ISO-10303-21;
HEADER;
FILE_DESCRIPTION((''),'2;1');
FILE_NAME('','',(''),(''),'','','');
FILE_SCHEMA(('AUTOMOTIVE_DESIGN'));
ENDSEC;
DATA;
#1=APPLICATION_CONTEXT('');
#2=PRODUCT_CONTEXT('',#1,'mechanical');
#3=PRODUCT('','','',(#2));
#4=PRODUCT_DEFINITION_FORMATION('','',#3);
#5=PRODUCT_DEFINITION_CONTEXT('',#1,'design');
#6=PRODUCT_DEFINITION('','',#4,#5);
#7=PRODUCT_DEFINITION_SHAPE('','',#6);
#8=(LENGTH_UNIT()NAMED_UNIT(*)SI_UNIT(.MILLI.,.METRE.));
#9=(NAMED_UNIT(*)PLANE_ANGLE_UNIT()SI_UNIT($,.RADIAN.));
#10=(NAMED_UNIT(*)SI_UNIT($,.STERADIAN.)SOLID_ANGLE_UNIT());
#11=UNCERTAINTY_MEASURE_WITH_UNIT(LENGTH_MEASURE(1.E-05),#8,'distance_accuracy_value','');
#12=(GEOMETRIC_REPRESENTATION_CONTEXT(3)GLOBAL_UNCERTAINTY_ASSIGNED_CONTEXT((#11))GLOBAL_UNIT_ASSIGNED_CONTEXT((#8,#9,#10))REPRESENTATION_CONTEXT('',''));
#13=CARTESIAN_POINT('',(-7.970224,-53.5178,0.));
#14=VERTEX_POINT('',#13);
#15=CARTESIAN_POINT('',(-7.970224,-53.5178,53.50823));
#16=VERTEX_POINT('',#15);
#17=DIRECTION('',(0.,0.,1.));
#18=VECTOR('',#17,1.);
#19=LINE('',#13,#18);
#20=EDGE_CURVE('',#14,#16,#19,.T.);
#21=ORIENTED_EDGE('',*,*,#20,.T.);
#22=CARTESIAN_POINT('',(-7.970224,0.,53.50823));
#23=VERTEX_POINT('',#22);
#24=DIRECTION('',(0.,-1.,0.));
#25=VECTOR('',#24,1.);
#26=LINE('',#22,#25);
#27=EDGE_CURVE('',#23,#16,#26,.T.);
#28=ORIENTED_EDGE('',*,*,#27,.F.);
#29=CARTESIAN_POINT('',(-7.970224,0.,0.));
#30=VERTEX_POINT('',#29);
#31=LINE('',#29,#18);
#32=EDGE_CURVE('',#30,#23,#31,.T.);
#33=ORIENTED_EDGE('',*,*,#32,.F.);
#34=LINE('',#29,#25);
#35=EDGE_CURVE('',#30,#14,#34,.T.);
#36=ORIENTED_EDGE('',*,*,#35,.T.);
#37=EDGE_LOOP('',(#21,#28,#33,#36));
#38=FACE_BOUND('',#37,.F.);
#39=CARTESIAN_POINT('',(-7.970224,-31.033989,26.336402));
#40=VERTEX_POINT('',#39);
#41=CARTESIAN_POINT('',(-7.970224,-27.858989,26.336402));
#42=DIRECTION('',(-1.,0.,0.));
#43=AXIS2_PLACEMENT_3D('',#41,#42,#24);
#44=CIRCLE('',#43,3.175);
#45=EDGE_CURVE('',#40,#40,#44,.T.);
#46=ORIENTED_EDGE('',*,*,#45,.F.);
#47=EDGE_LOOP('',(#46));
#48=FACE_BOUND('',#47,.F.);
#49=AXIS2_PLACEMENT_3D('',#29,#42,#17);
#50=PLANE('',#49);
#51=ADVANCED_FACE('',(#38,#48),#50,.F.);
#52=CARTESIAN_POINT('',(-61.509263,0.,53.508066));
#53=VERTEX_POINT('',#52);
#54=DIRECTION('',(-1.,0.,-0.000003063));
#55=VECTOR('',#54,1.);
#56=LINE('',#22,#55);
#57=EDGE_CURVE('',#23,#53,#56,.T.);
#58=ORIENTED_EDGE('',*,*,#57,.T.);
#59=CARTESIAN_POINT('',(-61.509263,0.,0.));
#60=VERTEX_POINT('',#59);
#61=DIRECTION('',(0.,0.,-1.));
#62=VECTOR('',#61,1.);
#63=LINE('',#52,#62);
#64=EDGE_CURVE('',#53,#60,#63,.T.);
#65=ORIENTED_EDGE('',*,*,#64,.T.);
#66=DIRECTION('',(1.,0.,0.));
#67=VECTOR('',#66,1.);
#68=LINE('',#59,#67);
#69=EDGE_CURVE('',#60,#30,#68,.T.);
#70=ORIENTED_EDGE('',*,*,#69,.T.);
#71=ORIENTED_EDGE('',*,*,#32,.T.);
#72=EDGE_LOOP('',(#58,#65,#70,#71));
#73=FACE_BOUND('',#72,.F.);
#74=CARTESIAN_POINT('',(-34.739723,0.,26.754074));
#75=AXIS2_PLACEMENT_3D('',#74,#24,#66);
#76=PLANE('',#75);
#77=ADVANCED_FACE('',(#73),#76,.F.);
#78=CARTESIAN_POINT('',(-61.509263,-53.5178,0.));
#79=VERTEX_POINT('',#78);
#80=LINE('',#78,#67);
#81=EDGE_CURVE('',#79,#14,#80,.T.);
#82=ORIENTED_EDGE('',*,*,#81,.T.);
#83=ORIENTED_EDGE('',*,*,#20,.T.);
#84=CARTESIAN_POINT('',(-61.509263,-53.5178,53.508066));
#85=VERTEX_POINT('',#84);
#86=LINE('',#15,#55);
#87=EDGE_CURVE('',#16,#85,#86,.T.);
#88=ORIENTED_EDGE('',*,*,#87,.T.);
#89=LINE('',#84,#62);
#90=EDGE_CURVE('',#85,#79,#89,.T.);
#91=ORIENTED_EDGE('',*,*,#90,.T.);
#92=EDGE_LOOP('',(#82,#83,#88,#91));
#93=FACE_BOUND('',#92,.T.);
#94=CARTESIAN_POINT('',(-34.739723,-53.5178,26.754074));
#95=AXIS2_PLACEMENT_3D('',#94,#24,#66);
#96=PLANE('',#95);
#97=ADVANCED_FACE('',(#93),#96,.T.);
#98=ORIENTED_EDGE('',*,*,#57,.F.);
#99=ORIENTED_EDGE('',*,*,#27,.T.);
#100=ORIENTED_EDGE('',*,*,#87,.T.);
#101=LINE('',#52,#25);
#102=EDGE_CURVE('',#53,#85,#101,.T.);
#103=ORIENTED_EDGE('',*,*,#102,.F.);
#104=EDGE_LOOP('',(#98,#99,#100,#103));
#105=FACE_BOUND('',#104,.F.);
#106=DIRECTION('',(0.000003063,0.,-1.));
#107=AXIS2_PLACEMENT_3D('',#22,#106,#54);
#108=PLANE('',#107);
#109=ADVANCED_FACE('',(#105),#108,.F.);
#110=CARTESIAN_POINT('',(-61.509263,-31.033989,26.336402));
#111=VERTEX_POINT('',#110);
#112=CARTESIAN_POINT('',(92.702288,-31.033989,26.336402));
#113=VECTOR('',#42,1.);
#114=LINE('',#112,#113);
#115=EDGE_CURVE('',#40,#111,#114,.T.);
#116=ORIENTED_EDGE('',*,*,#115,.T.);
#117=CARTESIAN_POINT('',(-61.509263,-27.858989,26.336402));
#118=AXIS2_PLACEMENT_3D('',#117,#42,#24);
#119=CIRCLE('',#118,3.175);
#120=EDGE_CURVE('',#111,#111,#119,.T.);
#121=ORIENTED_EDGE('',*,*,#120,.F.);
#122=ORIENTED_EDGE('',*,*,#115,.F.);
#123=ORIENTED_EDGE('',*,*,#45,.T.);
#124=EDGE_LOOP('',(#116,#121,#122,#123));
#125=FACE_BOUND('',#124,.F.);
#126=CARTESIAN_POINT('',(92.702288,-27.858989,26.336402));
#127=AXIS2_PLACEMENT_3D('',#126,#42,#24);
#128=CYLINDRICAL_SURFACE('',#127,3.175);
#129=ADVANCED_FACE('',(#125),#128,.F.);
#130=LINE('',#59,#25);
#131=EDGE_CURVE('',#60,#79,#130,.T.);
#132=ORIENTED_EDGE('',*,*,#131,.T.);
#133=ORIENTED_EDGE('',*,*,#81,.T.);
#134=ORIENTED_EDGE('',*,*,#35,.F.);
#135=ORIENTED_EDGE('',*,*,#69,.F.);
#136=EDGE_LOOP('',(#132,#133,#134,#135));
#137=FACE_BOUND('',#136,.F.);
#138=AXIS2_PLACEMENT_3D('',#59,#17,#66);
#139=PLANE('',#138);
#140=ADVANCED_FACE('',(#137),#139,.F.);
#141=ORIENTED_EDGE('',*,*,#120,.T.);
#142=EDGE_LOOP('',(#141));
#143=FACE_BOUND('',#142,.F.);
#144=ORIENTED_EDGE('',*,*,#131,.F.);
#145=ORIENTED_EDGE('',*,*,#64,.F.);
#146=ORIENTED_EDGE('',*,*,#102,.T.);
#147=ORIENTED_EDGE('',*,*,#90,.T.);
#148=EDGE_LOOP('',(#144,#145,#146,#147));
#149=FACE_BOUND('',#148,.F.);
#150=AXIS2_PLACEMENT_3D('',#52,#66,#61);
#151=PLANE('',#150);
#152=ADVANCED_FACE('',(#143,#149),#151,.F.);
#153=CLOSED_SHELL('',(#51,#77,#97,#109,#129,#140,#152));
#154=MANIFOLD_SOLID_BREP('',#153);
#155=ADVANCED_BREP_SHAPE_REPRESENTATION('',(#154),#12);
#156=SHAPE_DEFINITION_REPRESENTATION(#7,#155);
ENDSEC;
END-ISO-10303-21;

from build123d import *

# Parameters (mm, degrees)
F1_DEPTH = 53.5178
F3_D     = 6.35


with BuildPart() as f1:
    # F0 (on Front) → F1 (new body)
    with BuildSketch(Plane.XZ):
        Polygon((-7.970224, 53.50823), (-61.509263, 53.508066), (-61.509263, 0), (-7.970224, 0), align=None)
    extrude(amount=F1_DEPTH)

    # F3 (through all)
    with Locations(Plane.YZ):
        with Locations((-27.858989, 26.336402)):
            Hole(F3_D / 2)


solid = f1.part
